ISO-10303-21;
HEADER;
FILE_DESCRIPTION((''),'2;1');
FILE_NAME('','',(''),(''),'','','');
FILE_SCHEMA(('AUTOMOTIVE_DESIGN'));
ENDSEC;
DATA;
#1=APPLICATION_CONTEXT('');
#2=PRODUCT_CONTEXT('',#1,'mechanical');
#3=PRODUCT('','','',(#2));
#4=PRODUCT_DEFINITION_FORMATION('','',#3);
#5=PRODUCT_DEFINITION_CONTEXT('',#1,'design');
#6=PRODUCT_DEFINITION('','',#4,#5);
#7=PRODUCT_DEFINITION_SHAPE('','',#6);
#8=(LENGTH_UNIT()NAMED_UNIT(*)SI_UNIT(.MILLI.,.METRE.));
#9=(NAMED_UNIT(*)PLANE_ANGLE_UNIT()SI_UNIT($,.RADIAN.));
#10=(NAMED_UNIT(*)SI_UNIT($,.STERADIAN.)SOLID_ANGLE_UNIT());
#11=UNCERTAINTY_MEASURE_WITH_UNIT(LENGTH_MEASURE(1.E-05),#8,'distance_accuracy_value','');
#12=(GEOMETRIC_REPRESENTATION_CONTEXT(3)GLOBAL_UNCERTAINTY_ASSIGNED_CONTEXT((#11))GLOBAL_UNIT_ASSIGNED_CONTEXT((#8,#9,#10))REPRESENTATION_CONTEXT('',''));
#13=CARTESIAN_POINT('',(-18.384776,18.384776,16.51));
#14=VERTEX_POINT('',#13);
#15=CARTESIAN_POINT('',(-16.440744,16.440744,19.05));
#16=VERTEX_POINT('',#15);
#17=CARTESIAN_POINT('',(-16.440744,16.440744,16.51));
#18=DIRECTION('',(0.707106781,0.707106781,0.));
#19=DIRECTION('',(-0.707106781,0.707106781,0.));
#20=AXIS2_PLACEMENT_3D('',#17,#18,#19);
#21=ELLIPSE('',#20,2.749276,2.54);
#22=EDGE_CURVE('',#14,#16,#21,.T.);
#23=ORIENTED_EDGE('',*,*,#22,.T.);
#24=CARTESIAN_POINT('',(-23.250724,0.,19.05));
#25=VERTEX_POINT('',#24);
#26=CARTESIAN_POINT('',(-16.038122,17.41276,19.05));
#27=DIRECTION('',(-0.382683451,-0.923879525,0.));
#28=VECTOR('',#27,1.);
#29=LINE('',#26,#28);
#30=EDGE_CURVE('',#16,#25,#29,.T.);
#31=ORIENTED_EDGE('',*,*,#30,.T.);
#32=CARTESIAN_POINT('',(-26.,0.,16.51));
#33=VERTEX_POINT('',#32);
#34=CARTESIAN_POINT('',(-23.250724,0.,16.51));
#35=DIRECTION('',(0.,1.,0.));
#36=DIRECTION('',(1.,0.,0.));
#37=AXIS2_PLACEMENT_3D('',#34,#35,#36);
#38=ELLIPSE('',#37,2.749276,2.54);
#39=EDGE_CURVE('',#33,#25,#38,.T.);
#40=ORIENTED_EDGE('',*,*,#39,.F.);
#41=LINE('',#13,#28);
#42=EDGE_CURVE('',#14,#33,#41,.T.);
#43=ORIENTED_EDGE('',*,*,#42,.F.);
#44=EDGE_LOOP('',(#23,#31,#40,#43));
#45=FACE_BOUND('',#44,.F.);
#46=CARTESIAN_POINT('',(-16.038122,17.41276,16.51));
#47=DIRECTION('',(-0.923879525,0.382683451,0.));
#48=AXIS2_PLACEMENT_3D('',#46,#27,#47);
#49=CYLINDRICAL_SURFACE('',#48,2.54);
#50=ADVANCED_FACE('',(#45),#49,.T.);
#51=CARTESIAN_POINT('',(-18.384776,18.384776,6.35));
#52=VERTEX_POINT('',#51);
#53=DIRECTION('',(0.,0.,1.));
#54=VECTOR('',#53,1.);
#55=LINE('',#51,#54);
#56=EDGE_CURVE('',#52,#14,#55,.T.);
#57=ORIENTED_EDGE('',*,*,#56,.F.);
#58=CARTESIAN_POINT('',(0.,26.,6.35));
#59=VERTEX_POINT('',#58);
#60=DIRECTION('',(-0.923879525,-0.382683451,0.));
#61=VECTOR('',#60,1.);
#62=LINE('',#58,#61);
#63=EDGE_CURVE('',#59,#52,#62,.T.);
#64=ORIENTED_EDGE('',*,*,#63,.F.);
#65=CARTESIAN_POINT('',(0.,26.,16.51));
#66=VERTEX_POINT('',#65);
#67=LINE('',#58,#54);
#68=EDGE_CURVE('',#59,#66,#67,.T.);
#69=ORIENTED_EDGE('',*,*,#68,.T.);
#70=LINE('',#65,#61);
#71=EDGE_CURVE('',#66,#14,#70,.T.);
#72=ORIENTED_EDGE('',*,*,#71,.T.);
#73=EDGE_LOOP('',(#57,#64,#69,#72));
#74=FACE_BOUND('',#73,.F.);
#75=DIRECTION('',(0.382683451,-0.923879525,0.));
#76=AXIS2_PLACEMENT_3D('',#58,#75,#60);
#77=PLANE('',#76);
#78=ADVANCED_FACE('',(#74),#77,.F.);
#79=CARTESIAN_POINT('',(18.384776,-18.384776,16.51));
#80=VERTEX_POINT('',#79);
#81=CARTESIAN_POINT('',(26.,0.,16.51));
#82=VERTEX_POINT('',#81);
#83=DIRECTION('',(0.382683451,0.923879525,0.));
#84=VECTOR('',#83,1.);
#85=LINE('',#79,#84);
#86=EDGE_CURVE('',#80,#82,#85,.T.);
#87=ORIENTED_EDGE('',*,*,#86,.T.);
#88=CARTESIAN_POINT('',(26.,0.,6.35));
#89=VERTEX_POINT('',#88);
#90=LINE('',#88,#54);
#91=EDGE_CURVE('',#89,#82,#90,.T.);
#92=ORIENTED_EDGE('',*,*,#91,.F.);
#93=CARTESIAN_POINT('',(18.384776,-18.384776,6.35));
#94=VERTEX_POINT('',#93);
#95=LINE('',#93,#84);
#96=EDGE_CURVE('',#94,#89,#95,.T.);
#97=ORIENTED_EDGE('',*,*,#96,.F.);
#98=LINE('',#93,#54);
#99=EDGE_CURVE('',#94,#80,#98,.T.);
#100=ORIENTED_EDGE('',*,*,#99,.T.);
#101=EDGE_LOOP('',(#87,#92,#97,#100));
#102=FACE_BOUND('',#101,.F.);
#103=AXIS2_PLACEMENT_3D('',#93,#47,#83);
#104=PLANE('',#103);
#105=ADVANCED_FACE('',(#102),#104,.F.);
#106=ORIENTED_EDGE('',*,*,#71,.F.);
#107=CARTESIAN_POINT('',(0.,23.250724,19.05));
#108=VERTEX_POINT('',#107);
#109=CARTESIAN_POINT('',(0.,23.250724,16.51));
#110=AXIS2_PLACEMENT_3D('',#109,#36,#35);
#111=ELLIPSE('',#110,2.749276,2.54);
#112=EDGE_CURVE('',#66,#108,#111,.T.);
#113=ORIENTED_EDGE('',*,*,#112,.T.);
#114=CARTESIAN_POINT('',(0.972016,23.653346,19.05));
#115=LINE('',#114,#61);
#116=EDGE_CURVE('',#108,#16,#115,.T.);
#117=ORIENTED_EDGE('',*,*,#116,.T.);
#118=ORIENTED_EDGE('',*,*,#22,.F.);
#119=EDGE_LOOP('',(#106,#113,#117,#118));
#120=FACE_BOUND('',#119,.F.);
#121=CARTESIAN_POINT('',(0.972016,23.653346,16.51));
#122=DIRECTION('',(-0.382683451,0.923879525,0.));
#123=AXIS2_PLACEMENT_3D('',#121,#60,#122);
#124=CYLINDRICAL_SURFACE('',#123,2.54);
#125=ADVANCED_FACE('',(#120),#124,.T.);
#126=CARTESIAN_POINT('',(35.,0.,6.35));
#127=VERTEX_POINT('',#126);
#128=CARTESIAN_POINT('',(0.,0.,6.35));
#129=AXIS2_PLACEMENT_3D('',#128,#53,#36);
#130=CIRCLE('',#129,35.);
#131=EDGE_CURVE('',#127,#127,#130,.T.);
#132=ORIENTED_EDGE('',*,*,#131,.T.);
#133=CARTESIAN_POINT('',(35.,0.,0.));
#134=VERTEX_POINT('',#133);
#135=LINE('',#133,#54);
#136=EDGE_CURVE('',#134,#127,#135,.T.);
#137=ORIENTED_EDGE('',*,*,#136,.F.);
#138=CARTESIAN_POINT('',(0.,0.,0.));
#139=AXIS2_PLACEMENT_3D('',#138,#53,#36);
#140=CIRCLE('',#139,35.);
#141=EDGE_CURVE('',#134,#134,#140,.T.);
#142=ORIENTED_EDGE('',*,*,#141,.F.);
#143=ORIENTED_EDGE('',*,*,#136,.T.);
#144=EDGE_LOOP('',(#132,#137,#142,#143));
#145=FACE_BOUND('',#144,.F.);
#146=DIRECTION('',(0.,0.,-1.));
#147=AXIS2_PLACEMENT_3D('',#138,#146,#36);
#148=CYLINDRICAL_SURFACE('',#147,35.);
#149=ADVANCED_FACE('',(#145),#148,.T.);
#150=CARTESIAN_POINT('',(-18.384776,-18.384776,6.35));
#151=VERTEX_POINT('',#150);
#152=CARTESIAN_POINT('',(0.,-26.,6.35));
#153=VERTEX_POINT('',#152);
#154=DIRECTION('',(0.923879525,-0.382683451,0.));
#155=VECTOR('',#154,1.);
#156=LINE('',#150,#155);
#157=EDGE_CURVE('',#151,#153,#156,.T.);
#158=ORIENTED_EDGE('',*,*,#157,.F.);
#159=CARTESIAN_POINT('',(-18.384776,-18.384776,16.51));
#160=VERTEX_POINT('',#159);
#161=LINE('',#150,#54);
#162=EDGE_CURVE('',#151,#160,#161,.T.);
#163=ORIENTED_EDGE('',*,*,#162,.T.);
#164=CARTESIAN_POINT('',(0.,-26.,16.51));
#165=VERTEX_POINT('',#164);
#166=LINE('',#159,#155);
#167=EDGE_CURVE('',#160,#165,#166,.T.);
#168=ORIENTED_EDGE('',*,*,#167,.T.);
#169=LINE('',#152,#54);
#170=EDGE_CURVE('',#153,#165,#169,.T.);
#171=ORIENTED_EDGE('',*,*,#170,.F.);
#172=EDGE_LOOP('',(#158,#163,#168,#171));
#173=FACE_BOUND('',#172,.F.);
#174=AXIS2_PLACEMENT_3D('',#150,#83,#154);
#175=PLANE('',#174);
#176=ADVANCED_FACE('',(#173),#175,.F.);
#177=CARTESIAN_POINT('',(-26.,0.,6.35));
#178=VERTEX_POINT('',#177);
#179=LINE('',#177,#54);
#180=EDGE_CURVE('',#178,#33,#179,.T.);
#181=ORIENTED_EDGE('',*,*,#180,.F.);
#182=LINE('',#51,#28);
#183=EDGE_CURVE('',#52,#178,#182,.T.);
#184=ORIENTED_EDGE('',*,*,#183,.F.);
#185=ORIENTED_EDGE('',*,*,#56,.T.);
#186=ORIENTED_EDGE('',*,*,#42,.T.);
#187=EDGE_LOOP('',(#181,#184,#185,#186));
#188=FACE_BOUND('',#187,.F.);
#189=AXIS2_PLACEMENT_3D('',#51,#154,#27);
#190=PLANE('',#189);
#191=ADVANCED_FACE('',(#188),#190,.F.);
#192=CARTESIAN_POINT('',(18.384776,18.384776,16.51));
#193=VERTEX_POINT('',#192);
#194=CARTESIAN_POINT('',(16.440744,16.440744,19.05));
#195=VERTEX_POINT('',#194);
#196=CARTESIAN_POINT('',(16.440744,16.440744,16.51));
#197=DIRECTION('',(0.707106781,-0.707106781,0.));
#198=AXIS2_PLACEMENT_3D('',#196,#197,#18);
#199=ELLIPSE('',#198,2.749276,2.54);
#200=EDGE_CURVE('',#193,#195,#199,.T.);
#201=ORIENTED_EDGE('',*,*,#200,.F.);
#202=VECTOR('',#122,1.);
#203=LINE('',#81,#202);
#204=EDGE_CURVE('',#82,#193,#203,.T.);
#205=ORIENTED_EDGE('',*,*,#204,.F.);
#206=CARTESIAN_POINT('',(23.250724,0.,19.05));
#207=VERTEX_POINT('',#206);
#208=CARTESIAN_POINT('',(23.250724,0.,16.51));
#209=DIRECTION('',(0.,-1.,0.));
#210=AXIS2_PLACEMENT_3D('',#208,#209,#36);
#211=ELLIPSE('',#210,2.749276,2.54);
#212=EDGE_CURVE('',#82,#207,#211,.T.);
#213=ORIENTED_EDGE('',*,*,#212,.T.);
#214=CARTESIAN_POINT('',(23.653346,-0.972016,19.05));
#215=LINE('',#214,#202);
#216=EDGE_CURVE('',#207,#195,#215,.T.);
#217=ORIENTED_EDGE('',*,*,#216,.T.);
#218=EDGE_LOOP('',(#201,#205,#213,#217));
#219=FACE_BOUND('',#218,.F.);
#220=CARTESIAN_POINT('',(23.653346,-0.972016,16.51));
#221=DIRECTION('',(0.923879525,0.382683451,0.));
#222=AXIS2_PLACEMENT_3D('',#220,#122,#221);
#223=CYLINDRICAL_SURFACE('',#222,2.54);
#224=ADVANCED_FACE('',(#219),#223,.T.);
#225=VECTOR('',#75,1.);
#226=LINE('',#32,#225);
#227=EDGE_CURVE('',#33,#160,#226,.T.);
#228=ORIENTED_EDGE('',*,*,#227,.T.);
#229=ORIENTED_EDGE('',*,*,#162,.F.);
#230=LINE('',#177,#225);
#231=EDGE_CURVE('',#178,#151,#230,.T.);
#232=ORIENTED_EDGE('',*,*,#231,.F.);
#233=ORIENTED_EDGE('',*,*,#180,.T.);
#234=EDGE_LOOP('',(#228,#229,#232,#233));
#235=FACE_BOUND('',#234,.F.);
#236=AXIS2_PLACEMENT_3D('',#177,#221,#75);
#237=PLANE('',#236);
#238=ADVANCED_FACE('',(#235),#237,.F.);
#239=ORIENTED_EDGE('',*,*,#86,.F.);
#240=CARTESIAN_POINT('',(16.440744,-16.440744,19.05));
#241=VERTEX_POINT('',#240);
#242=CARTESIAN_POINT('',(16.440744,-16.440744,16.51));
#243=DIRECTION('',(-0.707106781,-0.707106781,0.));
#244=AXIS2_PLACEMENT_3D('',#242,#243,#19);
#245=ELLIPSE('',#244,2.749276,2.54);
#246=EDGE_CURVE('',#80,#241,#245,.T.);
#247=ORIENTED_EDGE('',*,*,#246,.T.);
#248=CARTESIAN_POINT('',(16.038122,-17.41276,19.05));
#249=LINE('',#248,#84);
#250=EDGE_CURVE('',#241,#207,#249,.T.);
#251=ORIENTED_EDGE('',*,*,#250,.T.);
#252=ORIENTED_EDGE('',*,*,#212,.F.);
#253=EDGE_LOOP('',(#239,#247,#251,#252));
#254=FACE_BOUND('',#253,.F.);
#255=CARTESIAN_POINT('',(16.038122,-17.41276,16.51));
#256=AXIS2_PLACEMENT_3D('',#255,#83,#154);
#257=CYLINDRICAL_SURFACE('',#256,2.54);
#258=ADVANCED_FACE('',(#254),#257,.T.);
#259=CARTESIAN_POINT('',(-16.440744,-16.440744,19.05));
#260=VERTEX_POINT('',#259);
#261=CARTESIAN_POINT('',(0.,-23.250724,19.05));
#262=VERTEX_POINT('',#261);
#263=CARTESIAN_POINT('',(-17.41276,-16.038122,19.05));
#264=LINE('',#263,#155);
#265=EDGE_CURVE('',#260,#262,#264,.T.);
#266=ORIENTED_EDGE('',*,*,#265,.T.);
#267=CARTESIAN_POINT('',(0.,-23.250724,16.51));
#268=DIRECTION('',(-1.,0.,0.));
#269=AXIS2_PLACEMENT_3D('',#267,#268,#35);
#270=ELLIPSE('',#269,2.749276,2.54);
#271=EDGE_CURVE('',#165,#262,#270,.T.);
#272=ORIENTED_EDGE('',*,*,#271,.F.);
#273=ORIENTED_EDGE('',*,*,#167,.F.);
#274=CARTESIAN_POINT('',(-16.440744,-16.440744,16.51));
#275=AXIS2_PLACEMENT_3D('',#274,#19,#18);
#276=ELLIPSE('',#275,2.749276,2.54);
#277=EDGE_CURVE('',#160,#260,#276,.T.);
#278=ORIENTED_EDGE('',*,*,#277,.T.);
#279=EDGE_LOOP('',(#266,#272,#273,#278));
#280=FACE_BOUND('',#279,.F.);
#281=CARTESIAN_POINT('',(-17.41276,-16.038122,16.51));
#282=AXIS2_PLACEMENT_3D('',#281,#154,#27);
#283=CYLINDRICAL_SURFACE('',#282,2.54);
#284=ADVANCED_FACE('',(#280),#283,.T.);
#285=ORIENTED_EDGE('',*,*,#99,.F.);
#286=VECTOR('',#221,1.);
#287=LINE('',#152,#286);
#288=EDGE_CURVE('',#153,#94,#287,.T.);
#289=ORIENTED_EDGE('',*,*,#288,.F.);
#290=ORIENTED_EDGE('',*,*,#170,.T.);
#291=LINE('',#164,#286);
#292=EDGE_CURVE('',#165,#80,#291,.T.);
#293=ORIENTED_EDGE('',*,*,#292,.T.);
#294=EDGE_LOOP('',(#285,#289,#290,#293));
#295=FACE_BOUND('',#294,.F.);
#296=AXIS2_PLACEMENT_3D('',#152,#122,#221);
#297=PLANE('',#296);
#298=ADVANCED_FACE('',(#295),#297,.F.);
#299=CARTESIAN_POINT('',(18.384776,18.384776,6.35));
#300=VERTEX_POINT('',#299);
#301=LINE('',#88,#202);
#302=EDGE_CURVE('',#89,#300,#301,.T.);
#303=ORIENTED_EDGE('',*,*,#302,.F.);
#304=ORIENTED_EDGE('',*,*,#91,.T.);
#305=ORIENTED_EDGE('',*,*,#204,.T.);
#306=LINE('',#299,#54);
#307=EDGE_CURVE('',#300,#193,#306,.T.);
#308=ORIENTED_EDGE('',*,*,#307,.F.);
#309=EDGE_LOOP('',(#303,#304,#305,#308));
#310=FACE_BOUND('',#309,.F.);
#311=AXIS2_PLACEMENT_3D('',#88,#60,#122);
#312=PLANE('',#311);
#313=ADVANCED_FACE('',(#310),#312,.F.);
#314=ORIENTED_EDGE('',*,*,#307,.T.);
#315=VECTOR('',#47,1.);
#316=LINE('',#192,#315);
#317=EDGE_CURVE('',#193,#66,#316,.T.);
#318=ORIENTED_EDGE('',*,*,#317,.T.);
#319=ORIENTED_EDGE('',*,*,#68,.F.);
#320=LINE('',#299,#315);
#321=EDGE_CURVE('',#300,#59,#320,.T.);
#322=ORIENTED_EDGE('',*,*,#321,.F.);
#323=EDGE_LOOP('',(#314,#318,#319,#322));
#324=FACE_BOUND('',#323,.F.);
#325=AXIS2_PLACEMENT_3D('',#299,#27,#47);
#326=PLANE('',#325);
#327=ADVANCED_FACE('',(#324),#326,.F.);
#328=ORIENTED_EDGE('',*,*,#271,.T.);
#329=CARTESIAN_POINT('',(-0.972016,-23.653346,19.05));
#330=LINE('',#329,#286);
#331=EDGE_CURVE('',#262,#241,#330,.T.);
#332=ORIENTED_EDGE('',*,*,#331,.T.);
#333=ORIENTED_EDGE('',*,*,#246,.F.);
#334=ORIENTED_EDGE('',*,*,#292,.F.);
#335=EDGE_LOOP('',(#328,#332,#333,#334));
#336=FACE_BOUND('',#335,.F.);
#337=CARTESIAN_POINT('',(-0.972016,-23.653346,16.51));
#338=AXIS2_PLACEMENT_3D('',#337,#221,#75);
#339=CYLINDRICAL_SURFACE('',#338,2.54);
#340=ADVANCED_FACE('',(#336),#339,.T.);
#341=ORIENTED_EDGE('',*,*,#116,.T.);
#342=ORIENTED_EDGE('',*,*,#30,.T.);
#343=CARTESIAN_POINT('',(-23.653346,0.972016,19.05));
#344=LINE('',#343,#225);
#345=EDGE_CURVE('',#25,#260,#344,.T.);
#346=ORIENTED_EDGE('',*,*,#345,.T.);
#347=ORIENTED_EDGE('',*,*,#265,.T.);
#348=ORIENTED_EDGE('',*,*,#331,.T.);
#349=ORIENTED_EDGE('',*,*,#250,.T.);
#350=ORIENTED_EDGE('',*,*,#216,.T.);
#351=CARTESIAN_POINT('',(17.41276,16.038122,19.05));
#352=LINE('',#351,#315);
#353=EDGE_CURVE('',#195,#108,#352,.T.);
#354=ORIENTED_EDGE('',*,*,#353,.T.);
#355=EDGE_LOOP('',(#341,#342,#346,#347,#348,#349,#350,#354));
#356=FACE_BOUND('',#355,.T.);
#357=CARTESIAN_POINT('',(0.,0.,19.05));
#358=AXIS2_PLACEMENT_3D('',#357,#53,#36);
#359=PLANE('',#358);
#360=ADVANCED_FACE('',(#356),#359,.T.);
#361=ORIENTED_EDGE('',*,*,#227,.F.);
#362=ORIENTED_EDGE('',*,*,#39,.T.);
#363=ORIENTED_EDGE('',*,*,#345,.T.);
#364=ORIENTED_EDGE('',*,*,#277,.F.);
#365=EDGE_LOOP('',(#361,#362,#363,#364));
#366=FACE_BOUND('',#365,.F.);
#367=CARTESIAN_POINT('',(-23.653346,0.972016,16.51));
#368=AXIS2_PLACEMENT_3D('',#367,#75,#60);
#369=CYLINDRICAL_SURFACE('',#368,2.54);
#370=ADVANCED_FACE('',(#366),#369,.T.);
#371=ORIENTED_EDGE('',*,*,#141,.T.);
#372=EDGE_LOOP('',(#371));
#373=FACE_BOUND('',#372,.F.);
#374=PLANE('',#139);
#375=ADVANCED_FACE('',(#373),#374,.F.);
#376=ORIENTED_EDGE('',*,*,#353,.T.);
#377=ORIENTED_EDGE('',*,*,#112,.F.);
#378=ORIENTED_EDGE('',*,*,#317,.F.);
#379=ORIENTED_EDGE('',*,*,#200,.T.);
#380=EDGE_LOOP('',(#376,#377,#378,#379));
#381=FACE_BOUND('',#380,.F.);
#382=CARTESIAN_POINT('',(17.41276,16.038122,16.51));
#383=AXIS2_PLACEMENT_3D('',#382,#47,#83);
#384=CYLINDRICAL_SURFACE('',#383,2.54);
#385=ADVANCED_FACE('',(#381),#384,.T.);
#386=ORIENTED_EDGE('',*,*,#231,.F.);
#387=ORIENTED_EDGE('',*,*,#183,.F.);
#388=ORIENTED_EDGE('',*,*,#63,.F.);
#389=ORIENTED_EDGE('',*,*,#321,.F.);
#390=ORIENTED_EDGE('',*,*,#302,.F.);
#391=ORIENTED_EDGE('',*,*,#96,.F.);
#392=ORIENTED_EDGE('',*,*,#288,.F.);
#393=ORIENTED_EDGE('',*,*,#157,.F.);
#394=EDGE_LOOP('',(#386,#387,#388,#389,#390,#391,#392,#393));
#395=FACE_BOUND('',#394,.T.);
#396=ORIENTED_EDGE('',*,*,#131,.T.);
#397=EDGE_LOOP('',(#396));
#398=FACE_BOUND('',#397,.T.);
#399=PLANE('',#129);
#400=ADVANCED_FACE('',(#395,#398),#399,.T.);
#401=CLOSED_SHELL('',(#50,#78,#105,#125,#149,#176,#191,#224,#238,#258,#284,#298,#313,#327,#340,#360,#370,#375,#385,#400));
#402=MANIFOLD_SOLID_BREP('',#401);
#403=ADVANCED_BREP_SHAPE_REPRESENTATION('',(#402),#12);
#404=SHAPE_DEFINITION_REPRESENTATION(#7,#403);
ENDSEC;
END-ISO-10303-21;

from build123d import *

# Parameters (mm, degrees)
F0_R     = 35
F1_DEPTH = 6.35
F3_DEPTH = 12.7
F4_R     = 2.54


with BuildPart() as f1:
    # F0 (on Top) → F1 (new body)
    with BuildSketch(Plane.XY):
        Circle(F0_R)
    extrude(amount=F1_DEPTH)

    # F2 (on face) → F3 (join)
    with BuildSketch(Plane.XY.offset(6.35)):
        Polygon((18.384776, -18.384776), (26, 0), (18.384776, 18.384776), (0, 26), (-18.384776, 18.384776), (-26, 0), (-18.384776, -18.384776), (0, -26), align=None)
    extrude(amount=F3_DEPTH)

    # F4
    f4_edges = [f1.edges().sort_by_distance(p)[0] for p in [
        (22.192388, -9.192388, 19.05),
        (22.192388, 9.192388, 19.05),
        (9.192388, 22.192388, 19.05),
        (-9.192388, 22.192388, 19.05),
        (9.192388, -22.192388, 19.05),
        (-9.192388, -22.192388, 19.05),
        (-22.192388, -9.192388, 19.05),
        (-22.192388, 9.192388, 19.05),
    ]]
    fillet(f4_edges, radius=F4_R)


solid = f1.part
